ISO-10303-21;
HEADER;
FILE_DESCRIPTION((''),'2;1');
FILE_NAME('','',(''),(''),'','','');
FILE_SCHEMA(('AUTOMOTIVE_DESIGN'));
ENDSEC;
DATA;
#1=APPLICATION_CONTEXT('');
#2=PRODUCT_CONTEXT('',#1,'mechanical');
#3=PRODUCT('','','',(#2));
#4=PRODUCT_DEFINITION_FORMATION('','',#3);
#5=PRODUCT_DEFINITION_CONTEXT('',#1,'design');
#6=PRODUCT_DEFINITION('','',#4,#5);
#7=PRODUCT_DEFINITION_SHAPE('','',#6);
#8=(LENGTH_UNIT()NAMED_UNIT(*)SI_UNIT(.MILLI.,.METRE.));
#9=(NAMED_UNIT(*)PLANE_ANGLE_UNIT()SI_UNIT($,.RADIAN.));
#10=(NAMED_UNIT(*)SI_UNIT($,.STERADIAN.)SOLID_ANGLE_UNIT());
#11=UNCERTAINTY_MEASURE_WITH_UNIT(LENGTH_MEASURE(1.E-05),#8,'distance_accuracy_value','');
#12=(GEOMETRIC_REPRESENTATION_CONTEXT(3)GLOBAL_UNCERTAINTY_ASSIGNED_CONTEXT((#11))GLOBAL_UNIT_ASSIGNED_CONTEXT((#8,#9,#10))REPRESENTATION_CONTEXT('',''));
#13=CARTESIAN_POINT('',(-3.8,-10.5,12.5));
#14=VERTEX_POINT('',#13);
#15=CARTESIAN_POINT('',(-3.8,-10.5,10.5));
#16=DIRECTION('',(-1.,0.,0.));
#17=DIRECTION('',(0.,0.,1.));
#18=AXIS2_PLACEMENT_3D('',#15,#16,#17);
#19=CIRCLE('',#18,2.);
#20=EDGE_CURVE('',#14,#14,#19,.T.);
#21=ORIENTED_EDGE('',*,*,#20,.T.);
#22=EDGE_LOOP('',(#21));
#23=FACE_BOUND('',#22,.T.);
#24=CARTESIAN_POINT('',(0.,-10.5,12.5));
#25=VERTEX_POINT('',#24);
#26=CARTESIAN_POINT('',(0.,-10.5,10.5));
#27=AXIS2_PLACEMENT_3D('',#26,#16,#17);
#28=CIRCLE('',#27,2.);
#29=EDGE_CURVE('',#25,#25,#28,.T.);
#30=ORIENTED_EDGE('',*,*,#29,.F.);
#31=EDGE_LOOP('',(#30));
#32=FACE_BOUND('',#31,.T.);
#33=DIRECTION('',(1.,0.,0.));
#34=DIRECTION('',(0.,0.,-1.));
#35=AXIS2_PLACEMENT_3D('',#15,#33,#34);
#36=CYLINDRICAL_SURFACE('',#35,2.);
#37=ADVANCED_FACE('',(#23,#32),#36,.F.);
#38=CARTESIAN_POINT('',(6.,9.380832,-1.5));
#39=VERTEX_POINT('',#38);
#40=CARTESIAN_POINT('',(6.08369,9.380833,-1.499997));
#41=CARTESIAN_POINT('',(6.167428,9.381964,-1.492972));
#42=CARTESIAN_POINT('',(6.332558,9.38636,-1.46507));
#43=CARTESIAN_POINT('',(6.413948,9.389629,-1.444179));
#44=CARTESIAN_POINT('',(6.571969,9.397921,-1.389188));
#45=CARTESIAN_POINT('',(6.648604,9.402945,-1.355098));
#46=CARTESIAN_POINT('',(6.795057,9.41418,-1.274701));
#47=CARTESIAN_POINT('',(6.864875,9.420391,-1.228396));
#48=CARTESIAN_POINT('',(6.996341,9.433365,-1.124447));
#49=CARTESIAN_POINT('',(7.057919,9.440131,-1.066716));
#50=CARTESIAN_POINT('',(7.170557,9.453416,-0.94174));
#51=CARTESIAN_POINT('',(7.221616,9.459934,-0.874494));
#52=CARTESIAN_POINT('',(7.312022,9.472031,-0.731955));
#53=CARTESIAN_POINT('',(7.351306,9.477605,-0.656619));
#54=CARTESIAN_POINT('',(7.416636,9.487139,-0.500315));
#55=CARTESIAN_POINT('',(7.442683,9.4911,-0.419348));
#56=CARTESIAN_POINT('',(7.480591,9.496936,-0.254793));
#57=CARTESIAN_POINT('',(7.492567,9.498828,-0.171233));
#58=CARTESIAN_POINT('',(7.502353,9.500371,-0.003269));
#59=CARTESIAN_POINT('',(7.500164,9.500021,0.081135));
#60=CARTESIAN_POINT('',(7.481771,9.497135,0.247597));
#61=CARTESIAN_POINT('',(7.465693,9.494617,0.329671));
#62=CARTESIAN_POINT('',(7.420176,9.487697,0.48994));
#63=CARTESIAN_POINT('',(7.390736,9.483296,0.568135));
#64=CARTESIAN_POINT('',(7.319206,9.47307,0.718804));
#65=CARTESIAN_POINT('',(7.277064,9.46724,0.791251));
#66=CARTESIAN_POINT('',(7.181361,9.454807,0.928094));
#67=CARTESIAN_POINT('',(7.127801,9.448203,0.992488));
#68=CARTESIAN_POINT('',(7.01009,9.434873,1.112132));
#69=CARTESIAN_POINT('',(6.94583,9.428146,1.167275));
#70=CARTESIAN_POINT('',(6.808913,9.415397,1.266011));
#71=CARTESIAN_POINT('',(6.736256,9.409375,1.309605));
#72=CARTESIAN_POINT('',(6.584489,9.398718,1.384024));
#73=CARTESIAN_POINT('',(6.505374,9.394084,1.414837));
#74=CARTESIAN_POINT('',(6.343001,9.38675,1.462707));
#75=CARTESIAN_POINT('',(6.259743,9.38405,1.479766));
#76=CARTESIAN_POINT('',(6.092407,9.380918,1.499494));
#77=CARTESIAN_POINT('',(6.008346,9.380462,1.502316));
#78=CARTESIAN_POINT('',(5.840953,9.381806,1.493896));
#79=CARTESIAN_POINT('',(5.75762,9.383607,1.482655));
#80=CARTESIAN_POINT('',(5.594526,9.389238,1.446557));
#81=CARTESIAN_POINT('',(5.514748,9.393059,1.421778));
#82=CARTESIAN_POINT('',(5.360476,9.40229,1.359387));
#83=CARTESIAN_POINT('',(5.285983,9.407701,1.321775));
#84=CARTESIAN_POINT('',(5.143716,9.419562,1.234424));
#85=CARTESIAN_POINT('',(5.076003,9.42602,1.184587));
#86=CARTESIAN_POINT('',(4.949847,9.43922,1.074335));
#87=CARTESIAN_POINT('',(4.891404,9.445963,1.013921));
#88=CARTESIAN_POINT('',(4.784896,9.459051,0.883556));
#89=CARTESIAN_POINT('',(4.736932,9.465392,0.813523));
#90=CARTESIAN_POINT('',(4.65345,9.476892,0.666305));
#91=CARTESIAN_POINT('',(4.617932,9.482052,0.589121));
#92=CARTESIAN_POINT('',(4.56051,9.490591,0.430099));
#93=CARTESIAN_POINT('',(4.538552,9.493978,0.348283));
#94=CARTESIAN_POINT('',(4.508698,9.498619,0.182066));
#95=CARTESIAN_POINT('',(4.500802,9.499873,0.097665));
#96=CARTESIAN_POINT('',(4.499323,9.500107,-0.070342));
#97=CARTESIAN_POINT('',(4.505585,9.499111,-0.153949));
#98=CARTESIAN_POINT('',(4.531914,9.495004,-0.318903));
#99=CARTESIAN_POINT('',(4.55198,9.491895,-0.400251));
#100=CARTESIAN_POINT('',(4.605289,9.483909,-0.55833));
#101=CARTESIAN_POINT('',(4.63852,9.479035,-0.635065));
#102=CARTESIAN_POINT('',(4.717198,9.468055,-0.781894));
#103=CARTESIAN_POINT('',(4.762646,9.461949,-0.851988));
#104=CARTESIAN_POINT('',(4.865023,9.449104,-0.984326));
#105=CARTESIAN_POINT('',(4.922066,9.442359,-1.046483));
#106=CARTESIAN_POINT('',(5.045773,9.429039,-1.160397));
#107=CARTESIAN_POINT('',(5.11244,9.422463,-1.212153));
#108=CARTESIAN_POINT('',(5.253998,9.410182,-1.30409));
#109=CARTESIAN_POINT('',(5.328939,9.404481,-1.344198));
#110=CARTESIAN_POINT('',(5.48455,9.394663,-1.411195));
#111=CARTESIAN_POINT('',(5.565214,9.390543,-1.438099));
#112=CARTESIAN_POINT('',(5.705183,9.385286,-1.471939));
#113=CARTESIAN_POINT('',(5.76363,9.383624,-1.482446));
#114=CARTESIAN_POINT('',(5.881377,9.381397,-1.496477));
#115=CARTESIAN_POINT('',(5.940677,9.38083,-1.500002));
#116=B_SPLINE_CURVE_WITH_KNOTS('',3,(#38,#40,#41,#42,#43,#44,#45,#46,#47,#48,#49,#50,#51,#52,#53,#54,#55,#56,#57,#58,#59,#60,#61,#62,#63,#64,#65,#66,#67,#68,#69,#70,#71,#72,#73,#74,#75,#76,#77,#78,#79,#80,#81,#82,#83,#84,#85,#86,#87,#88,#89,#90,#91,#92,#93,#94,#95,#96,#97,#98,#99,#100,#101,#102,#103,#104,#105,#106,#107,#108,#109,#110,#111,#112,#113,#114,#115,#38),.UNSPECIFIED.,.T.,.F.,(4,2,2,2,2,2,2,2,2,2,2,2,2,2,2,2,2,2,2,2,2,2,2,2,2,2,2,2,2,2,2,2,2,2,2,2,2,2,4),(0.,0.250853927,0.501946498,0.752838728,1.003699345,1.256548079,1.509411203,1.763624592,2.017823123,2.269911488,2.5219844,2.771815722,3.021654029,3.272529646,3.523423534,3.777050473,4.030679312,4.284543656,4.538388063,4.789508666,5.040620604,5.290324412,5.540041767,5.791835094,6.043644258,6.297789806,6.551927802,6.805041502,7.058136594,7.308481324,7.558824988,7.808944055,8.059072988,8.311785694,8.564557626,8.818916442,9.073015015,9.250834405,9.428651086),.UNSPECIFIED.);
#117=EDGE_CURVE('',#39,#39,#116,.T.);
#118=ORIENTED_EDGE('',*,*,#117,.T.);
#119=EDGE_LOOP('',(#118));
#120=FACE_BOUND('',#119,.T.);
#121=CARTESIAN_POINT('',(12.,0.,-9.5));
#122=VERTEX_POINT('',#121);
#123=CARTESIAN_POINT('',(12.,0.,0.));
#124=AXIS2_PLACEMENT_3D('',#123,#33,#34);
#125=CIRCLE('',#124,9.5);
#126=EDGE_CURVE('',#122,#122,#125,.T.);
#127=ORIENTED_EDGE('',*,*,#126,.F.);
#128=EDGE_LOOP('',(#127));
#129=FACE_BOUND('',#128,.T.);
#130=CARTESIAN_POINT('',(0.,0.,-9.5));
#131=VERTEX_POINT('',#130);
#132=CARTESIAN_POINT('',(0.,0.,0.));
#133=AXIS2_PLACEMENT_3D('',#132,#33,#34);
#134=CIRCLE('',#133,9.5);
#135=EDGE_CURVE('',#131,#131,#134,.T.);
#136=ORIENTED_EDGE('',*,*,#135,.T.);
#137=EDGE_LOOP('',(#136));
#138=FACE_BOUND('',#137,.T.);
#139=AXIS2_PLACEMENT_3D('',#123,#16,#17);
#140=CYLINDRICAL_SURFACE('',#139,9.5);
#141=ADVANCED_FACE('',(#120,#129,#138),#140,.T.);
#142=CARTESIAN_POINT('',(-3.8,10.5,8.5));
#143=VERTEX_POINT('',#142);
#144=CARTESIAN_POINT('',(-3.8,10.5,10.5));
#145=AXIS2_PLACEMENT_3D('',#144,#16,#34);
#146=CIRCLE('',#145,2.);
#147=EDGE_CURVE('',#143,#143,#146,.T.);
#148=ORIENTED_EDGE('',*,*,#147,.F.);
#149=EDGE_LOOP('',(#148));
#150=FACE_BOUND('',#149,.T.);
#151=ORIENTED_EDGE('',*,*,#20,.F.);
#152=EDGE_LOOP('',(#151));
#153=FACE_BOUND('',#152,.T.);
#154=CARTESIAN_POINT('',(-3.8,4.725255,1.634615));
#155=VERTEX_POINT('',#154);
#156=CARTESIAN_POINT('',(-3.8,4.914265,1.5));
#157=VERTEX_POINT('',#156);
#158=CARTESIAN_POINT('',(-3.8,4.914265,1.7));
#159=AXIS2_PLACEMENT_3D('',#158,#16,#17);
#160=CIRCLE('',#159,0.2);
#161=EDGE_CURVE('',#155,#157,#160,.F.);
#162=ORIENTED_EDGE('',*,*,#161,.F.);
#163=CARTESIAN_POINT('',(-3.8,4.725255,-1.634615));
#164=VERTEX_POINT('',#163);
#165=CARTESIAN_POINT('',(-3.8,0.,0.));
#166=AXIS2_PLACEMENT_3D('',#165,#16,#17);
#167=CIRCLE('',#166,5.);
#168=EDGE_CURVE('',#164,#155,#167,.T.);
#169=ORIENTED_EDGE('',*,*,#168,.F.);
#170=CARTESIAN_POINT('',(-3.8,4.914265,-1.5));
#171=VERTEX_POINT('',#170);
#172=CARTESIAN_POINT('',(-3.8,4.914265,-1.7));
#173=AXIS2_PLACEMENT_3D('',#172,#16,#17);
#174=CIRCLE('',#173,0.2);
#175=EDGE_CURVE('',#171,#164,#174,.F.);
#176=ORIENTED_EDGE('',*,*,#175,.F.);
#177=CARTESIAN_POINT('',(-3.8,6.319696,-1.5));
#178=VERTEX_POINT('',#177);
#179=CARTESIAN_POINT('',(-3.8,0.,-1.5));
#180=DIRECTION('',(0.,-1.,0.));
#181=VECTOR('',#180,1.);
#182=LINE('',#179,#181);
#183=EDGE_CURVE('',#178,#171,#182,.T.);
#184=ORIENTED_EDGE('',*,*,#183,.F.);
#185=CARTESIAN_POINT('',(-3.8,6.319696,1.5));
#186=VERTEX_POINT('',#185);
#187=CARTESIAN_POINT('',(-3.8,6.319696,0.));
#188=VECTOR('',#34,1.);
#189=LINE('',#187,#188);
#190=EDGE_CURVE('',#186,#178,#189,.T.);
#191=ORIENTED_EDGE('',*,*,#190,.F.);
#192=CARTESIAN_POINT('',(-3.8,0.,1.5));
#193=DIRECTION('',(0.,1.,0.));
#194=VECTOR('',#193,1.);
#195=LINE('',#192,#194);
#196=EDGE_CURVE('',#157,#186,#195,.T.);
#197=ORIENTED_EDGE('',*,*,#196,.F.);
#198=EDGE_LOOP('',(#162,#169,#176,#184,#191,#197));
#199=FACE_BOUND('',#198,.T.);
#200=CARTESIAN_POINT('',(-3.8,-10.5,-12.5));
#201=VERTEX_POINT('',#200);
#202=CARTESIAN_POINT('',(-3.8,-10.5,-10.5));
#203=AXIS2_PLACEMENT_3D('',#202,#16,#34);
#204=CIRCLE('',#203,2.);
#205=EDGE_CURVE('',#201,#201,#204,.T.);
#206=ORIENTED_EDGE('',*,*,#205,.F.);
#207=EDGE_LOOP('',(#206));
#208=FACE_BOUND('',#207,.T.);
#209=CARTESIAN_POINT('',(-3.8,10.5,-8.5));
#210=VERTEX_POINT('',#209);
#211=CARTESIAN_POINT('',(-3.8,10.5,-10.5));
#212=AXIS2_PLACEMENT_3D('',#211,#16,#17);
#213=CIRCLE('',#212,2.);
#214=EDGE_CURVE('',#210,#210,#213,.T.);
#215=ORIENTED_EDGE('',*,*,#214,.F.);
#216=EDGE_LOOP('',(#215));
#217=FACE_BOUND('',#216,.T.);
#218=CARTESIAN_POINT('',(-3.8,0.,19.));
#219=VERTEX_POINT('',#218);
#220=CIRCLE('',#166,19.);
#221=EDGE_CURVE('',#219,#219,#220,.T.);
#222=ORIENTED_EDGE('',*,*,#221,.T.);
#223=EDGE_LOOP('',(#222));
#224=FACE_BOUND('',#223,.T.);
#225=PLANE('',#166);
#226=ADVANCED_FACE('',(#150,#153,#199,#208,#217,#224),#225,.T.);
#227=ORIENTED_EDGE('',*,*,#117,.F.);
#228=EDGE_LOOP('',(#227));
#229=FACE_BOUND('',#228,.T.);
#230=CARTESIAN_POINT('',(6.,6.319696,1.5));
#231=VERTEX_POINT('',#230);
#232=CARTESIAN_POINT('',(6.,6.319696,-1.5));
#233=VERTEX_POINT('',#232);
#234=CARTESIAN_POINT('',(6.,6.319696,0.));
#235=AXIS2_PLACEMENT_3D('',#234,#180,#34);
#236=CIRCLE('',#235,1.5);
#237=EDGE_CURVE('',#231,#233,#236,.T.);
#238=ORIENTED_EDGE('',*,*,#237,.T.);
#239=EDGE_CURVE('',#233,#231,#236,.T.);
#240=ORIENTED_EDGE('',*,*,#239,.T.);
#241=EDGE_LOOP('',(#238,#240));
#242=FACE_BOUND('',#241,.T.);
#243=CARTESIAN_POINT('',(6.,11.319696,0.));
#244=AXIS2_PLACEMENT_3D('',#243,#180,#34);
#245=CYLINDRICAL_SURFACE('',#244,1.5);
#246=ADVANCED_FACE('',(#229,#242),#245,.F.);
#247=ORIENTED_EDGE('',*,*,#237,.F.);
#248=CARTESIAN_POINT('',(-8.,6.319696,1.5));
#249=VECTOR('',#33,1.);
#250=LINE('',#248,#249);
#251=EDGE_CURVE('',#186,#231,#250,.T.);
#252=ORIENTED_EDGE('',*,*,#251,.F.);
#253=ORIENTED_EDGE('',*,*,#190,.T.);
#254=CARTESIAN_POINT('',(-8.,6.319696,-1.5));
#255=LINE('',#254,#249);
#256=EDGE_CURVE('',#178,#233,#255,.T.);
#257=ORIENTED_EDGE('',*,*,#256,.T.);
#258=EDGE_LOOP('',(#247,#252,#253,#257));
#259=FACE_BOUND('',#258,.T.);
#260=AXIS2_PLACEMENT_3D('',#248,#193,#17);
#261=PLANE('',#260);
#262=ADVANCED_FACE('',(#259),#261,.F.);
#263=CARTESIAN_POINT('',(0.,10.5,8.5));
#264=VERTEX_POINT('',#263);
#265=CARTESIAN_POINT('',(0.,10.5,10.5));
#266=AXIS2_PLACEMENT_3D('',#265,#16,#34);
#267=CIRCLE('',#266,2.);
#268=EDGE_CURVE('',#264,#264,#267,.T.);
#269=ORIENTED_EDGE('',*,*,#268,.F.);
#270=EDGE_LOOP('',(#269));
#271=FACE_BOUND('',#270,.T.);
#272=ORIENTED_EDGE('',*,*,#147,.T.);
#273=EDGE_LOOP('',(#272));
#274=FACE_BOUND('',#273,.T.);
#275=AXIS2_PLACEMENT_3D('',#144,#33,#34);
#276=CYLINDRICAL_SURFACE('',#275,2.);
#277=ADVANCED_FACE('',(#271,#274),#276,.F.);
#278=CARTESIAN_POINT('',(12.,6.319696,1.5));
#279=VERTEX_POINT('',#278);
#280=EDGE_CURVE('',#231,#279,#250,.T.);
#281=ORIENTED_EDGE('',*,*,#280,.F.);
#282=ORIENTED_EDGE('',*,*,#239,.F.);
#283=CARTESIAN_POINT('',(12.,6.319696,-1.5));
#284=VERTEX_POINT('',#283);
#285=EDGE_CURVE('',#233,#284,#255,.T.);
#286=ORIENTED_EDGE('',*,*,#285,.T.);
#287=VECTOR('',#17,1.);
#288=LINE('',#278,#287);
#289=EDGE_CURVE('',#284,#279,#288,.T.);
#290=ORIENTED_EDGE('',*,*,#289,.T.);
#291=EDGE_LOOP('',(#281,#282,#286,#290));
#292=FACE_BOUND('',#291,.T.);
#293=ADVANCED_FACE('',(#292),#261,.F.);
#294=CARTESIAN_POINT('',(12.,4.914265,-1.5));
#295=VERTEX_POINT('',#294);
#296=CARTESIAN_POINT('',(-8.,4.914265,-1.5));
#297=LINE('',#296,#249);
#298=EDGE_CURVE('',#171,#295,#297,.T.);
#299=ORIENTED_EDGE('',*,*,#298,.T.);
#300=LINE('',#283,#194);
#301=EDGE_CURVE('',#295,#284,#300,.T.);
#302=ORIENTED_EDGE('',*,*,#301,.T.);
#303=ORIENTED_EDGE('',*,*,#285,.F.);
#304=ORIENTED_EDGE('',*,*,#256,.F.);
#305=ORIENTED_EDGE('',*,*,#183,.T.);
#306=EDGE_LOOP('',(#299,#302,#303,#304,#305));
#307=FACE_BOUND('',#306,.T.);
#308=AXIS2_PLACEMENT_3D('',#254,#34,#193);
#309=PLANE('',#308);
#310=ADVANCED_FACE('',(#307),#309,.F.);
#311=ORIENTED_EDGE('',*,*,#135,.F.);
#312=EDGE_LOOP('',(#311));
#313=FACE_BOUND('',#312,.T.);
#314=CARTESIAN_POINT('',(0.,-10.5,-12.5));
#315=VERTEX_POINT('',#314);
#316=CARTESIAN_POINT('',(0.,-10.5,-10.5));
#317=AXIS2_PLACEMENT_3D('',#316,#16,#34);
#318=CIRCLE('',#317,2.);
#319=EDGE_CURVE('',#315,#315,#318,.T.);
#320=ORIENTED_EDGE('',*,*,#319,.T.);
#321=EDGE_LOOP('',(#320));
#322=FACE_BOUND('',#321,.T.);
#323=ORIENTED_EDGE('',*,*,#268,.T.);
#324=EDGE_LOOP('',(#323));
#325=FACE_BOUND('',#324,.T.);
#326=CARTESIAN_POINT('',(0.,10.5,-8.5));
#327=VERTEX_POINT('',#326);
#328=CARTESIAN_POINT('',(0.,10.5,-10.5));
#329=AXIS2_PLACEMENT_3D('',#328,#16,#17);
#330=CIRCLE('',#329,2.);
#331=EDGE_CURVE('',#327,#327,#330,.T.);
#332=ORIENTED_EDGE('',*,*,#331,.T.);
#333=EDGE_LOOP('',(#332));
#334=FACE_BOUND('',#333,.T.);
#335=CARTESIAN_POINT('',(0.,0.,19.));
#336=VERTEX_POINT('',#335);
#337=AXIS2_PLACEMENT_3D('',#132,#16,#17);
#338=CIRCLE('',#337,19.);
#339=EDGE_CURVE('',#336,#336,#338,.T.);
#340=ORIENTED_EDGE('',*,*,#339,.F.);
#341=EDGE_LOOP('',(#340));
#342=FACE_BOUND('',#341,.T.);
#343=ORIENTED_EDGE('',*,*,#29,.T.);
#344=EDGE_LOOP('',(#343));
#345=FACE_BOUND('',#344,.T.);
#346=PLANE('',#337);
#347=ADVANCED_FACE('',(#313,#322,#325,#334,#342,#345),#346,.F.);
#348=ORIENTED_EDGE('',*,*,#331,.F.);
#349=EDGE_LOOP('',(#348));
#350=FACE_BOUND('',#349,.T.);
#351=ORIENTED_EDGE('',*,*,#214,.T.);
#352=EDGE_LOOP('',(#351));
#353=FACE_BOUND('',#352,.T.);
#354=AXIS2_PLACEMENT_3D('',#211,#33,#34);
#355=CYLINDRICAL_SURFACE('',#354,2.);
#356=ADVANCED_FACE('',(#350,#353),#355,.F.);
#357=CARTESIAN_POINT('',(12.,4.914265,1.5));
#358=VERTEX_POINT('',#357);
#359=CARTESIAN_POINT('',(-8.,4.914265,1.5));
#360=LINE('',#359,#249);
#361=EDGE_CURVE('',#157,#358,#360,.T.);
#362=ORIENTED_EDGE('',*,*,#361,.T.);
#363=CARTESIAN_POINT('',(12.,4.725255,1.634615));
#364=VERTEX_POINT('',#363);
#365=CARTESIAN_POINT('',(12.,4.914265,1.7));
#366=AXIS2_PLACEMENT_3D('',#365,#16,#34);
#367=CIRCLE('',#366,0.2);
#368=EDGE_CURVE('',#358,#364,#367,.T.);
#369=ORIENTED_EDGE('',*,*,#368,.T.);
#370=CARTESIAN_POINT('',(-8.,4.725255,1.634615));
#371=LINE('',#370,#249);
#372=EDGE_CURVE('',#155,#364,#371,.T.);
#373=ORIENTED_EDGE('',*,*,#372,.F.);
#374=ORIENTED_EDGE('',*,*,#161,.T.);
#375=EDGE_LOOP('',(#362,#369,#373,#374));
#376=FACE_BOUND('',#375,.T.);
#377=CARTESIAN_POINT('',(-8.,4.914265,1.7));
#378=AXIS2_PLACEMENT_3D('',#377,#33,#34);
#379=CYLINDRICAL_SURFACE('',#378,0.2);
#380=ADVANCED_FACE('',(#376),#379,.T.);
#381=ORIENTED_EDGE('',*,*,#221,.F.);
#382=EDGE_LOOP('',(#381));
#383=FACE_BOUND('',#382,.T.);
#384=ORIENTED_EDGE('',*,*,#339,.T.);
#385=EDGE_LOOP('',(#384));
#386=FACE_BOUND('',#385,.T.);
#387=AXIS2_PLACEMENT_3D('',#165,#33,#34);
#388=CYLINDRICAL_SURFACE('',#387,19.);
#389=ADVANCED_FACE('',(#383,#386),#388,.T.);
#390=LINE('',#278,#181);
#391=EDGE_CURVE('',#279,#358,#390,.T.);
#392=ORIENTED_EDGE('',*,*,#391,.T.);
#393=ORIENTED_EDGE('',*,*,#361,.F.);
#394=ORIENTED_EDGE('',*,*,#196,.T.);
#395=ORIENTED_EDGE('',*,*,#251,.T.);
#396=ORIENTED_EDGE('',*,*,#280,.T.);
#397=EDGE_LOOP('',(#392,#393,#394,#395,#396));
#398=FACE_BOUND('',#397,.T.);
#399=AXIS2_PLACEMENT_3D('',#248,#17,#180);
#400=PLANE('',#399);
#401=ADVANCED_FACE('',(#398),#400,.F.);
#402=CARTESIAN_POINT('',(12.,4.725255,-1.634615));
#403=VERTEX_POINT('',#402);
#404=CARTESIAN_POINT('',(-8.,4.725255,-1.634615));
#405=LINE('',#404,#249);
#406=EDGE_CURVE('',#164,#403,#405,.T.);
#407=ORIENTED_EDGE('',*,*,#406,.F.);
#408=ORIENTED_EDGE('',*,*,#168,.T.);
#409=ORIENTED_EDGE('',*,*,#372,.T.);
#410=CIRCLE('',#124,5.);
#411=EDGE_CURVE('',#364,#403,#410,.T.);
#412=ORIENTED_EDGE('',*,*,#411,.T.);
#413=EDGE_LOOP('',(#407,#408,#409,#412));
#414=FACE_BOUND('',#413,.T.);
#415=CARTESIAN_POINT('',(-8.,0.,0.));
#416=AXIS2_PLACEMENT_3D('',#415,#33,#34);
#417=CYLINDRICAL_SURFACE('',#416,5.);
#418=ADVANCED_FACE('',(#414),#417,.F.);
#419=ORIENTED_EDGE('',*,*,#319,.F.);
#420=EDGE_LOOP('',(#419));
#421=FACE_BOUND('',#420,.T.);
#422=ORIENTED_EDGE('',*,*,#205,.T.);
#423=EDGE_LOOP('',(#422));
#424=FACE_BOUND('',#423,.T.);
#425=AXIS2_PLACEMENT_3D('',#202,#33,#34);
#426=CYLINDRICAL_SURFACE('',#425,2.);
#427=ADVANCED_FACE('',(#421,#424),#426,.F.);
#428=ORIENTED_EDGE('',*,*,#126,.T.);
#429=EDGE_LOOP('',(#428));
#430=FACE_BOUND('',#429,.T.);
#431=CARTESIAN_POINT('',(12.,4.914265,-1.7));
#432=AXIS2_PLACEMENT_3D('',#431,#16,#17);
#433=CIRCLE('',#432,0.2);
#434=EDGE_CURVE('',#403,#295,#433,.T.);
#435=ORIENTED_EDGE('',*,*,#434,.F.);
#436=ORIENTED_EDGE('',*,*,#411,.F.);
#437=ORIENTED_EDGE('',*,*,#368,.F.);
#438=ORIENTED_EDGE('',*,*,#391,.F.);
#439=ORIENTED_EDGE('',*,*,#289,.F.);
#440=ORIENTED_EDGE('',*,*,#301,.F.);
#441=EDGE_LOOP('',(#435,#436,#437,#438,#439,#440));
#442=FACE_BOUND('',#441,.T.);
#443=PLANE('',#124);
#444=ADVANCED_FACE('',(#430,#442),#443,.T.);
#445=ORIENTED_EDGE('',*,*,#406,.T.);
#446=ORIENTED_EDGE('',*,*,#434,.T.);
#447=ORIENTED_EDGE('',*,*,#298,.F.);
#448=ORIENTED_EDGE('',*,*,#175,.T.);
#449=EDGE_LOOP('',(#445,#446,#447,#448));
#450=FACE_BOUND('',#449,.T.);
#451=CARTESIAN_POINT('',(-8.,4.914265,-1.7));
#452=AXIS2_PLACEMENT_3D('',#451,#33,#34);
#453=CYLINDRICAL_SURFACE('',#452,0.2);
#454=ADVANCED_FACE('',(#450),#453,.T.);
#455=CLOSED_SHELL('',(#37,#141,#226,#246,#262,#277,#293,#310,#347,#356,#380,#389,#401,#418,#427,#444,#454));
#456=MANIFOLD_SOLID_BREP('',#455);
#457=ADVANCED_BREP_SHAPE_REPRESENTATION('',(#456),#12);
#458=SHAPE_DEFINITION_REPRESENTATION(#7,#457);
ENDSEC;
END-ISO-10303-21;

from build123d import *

# Parameters (mm, degrees)
SKETCH1_R           = 9.5
BOSS_EXTRUDE1_DEPTH = 12
SKETCH4_R           = 19
SKETCH4_R_2         = 2
BOSS_EXTRUDE3_DEPTH = 3.8
CUT_EXTRUDE2_DEPTH  = 20
SKETCH5_R           = 1.5
CUT_EXTRUDE3_DEPTH  = 5


with BuildPart() as part:
    # Sketch1 → Boss-Extrude1 (new body)
    with BuildSketch(Plane(origin=(0, 0, 0), x_dir=(0, 0, -1), z_dir=(1, 0, 0))):
        Circle(SKETCH1_R)
    extrude(amount=BOSS_EXTRUDE1_DEPTH)

    # Sketch4 → Boss-Extrude3 (add)
    with BuildSketch(Plane.ZY):
        Circle(SKETCH4_R)
        with Locations((-10.5, 10.5)):
            Circle(SKETCH4_R_2, mode=Mode.SUBTRACT)
        with Locations((10.5, 10.5)):
            Circle(SKETCH4_R_2, mode=Mode.SUBTRACT)
        with Locations((10.5, -10.5)):
            Circle(SKETCH4_R_2, mode=Mode.SUBTRACT)
        with Locations((-10.5, -10.5)):
            Circle(SKETCH4_R_2, mode=Mode.SUBTRACT)
    extrude(amount=BOSS_EXTRUDE3_DEPTH)

    # Sketch2 → Cut-Extrude2 (cut)
    with BuildSketch(Plane(origin=(12, 0, 0), x_dir=(0, 0, -1), z_dir=(1, 0, 0))):
        with BuildLine():
            Line((-1.5, 6.319696007), (1.5, 6.319696007))
            Line((1.5, 6.319696007), (1.5, 4.91426495))
            ThreePointArc((1.5, 4.91426495), (1.537093703, 4.79824108), (1.634615385, 4.72525476))
            ThreePointArc((1.634615385, 4.72525476), (0, -5), (-1.634615385, 4.72525476))
            ThreePointArc((-1.634615385, 4.72525476), (-1.537093703, 4.79824108), (-1.5, 4.91426495))
            Line((-1.5, 4.91426495), (-1.5, 6.319696007))
        make_face()
    extrude(amount=-CUT_EXTRUDE2_DEPTH, mode=Mode.SUBTRACT)

    # Sketch5 → Cut-Extrude3 (cut)
    with BuildSketch(Plane.XZ.offset(-6.319696007)):
        with Locations((6, 0)):
            Circle(SKETCH5_R)
    extrude(amount=-CUT_EXTRUDE3_DEPTH, mode=Mode.SUBTRACT)


solid = part.part
